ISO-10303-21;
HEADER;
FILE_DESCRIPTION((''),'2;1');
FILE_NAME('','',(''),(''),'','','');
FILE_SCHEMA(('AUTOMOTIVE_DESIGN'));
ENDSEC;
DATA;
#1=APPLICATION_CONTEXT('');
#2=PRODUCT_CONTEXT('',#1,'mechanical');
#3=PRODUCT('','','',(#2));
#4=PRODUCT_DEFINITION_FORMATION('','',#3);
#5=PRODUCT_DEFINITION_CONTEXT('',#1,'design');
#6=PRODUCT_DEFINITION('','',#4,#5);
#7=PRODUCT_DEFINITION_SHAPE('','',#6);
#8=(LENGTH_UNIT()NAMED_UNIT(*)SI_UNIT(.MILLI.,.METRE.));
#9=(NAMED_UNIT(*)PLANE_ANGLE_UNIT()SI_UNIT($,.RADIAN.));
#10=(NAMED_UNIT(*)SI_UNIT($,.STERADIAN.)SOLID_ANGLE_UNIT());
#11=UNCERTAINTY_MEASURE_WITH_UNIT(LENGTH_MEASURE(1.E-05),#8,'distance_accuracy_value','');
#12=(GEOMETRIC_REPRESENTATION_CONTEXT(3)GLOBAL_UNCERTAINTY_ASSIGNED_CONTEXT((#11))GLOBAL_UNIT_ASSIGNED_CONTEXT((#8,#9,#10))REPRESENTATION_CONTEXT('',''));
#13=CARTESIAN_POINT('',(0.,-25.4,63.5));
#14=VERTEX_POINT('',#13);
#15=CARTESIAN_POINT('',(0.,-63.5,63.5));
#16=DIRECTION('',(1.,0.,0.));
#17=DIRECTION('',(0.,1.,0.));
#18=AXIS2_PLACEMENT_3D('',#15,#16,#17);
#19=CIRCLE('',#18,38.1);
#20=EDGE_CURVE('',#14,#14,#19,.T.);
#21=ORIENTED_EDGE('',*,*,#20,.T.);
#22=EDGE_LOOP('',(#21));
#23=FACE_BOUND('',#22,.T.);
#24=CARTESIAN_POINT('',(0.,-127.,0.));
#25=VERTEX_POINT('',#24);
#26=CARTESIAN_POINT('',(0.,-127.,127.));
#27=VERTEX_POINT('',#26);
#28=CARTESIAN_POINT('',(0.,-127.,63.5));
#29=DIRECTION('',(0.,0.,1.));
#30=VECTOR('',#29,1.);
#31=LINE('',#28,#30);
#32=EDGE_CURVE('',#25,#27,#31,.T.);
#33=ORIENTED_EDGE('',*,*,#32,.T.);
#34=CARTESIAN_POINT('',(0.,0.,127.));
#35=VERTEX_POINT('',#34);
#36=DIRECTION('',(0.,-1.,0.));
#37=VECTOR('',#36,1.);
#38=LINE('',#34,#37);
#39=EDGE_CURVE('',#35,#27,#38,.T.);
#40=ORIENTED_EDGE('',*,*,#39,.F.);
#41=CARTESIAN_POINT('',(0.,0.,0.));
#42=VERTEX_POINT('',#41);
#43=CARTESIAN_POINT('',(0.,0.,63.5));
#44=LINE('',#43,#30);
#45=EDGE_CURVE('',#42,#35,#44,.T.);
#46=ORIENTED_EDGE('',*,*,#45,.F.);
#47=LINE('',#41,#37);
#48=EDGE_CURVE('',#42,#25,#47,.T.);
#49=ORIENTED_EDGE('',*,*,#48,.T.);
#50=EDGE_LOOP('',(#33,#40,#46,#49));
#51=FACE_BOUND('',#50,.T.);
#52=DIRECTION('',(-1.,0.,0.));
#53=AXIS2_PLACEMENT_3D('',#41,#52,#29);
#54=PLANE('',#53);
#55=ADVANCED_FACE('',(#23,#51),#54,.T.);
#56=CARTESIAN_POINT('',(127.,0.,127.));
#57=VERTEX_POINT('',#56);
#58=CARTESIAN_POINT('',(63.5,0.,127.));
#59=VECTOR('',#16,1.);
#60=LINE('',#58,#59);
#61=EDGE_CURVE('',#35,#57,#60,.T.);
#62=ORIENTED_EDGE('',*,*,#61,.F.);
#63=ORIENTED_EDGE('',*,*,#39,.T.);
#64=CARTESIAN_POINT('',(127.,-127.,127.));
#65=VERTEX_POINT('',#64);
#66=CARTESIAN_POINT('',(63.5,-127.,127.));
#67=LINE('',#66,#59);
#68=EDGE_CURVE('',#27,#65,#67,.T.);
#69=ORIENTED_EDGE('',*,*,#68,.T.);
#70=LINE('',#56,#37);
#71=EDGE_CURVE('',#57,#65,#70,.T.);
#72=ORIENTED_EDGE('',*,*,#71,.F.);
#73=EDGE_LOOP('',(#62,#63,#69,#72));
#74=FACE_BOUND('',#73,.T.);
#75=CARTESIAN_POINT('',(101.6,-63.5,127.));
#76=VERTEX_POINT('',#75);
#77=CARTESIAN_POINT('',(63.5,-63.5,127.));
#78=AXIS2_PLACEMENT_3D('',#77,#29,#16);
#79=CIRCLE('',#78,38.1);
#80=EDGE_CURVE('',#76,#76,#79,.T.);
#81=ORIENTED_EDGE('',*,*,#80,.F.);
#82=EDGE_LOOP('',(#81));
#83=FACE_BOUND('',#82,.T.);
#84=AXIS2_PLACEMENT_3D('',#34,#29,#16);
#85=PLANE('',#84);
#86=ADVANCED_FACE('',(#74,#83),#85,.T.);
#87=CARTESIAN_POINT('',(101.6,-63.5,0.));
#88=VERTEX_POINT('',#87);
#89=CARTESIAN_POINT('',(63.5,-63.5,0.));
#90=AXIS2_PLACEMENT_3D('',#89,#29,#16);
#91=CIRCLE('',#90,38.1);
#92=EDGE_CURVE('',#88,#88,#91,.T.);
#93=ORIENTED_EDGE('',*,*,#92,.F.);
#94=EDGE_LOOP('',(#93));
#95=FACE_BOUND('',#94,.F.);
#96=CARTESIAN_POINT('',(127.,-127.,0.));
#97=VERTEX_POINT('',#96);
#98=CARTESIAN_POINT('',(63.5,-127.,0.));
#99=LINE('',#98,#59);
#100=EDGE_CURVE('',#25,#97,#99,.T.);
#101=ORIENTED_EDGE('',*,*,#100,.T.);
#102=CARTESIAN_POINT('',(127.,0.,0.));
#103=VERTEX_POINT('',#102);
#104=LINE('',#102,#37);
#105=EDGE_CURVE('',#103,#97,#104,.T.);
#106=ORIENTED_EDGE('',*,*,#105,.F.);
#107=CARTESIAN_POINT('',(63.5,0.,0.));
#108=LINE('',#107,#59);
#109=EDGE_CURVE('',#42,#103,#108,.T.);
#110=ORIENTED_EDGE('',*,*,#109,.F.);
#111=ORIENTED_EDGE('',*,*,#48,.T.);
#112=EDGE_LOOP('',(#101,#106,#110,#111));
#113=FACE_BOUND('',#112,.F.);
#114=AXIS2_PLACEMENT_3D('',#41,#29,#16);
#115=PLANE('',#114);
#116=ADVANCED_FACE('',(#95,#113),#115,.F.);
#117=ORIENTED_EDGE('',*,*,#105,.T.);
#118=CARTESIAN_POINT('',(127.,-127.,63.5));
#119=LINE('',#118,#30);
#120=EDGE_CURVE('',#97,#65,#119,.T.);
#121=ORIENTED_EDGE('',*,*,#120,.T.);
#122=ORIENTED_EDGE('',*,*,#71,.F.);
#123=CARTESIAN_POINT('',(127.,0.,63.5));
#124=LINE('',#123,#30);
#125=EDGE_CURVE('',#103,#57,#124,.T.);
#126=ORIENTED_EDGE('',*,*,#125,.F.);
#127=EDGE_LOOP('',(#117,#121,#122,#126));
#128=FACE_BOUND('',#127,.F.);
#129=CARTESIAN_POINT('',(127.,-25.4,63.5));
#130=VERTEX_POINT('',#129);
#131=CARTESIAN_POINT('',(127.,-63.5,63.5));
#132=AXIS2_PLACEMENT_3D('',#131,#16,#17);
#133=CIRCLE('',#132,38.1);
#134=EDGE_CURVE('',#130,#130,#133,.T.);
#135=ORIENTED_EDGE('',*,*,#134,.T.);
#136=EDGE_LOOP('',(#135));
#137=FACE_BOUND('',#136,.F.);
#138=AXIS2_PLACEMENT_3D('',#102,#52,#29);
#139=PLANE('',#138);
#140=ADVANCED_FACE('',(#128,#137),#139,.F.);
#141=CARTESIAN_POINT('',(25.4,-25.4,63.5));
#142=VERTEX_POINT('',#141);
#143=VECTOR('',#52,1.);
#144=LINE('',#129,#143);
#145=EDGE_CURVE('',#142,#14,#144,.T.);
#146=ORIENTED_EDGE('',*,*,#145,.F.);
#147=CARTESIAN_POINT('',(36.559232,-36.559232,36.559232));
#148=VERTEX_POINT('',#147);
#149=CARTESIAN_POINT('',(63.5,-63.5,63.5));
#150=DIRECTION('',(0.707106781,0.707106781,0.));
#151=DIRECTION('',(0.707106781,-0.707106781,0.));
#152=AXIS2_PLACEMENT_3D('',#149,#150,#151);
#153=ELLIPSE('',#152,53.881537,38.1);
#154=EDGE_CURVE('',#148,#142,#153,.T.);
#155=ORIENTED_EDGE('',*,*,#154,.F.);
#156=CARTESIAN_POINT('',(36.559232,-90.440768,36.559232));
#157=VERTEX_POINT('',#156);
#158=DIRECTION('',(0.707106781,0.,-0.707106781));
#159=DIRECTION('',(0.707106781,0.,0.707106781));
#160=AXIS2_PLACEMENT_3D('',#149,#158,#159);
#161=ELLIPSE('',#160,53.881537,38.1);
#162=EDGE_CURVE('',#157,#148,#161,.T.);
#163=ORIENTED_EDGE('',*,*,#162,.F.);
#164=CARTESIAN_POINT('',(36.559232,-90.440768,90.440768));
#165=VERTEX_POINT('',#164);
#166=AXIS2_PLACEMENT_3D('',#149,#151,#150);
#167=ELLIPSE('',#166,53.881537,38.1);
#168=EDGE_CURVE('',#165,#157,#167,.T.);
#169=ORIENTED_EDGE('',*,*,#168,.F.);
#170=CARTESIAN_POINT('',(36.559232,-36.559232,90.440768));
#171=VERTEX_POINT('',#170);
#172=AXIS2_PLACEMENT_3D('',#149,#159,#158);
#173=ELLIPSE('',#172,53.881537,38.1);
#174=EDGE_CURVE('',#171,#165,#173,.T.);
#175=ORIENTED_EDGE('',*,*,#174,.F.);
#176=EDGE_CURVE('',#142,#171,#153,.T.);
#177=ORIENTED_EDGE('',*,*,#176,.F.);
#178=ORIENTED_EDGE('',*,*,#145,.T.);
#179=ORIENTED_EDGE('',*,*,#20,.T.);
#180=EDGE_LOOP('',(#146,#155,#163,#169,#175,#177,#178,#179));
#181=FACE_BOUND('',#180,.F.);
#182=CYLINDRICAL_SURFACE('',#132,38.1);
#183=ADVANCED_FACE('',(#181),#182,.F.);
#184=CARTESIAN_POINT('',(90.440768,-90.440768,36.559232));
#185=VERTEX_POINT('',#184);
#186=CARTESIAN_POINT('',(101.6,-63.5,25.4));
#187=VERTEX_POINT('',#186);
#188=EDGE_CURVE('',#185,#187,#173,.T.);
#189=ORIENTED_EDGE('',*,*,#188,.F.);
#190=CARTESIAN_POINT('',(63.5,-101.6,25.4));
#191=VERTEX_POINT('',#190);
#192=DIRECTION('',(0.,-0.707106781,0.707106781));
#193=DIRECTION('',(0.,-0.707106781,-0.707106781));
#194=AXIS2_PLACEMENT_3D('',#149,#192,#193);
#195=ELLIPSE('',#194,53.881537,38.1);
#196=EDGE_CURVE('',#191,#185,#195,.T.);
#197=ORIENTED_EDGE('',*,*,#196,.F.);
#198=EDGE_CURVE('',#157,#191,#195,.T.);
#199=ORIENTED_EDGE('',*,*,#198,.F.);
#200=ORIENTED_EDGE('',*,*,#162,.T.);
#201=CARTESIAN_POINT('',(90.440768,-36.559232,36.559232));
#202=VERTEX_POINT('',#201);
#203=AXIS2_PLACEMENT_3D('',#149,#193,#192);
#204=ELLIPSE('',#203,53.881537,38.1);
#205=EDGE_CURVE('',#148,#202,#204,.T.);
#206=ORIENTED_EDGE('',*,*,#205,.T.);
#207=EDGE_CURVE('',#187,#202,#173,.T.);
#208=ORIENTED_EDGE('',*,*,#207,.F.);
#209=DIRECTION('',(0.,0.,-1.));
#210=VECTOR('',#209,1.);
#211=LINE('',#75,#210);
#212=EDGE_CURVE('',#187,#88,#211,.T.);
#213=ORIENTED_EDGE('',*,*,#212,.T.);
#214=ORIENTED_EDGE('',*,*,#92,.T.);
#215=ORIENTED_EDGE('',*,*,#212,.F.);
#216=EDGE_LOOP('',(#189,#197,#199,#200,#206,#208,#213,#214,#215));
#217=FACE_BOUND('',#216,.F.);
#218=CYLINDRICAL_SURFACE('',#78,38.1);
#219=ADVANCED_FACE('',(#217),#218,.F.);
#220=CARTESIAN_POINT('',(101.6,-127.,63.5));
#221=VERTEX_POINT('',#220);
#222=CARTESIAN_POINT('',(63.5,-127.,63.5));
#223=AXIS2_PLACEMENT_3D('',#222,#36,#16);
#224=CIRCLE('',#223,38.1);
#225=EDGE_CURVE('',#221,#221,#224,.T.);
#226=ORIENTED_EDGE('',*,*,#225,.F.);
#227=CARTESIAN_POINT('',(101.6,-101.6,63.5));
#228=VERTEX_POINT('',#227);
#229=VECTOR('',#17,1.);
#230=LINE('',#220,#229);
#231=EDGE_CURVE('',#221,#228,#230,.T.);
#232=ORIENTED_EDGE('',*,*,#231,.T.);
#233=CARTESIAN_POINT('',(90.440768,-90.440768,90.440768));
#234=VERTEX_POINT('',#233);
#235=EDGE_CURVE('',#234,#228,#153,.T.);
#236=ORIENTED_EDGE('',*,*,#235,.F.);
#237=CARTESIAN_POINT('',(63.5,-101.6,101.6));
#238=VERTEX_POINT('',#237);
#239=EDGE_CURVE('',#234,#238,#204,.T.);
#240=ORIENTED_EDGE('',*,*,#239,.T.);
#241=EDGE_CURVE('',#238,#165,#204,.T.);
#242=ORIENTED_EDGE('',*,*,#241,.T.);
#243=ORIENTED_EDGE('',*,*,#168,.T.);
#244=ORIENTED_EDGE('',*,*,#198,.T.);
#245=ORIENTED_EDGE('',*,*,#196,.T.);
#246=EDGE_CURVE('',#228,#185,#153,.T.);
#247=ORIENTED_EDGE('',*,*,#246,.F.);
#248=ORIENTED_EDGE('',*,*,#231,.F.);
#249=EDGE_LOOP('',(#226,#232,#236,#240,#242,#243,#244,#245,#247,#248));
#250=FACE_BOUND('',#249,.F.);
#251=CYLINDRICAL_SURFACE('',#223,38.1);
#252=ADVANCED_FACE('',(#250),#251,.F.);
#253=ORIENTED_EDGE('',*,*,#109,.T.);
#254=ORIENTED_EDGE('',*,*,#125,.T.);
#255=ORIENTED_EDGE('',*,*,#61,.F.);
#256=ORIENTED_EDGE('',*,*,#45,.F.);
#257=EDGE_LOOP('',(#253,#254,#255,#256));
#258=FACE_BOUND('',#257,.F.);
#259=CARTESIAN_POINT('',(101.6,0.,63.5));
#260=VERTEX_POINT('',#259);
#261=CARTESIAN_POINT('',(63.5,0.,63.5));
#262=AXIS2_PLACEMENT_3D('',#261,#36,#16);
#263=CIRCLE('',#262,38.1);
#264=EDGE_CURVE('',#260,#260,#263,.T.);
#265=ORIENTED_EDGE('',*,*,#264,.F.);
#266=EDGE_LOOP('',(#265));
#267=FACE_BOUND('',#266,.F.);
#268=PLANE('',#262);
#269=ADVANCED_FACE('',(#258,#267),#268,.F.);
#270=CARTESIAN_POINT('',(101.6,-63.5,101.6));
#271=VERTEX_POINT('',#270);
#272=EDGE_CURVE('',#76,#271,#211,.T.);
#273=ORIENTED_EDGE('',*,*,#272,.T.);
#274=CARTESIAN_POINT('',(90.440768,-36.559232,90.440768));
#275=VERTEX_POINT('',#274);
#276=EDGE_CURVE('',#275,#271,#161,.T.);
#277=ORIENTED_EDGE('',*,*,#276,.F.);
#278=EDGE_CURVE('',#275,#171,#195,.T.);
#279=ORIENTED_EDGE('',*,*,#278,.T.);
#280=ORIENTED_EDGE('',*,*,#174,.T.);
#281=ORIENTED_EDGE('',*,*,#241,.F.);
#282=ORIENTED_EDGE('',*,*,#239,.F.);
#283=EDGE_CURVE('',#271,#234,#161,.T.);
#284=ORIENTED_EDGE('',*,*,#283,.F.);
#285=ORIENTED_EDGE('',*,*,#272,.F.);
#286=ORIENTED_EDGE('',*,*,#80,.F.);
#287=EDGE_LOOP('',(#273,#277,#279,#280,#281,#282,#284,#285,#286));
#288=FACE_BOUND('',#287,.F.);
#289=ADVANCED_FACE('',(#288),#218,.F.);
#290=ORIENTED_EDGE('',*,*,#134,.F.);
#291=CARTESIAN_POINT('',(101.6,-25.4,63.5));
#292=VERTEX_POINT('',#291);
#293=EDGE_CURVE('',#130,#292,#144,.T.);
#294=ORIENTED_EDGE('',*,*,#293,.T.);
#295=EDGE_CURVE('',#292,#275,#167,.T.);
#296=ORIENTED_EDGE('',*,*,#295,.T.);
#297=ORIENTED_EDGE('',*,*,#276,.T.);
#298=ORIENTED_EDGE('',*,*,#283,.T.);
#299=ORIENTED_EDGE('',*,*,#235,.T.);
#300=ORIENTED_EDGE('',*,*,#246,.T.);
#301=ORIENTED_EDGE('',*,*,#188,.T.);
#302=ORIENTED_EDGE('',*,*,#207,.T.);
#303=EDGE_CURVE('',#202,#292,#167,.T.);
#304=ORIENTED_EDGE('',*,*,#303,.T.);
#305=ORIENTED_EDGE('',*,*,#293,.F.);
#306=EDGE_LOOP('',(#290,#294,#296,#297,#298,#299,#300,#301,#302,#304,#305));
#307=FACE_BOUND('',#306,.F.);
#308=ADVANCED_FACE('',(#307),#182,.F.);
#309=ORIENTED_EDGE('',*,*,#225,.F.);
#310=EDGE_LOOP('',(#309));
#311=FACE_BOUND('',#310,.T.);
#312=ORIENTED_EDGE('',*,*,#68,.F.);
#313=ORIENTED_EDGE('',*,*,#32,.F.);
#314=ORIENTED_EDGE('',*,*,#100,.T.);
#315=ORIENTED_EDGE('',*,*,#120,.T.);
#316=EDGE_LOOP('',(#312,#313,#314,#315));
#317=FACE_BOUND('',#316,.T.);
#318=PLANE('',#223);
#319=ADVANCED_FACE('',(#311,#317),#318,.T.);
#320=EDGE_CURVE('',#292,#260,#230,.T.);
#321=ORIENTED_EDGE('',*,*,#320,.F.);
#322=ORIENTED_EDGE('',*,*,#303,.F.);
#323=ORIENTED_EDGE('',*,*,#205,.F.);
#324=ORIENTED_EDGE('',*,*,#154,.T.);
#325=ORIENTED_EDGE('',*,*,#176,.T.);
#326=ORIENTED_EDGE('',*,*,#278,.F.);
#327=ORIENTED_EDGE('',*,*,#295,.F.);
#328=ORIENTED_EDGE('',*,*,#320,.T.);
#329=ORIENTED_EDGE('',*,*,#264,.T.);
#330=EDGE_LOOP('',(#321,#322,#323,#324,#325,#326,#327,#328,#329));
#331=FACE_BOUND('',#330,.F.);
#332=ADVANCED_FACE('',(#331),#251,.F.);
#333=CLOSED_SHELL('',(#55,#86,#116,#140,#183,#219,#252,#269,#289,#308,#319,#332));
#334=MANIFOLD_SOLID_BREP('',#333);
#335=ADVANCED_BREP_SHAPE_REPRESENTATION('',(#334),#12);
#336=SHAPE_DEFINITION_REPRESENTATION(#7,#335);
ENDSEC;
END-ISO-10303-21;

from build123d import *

# Parameters (mm, degrees)
F0_W     = 127
F0_H     = 127
F1_DEPTH = 127
F2_R     = 38.1
F3_DEPTH = 127
F4_R     = 38.1
F5_DEPTH = 127
F6_R     = 38.1
F7_DEPTH = 127


with BuildPart() as f1:
    # F0 (on Front) → F1 (new body)
    with BuildSketch(Plane.XZ):
        with Locations((63.5, 63.5)):
            Rectangle(F0_W, F0_H)
    extrude(amount=F1_DEPTH)

    # F2 (on face) → F3 (cut)
    with BuildSketch(Plane.YZ.offset(127)):
        with Locations((-63.5, 63.5)):
            Circle(F2_R)
    extrude(amount=-F3_DEPTH, mode=Mode.SUBTRACT)

    # F4 (on face) → F5 (cut)
    with BuildSketch(Plane.XZ.offset(127)):
        with Locations((63.5, 63.5)):
            Circle(F4_R)
    extrude(amount=-F5_DEPTH, mode=Mode.SUBTRACT)

    # F6 (on face) → F7 (cut)
    with BuildSketch(Plane.XY.offset(127)):
        with Locations((63.5, -63.5)):
            Circle(F6_R)
    extrude(amount=-F7_DEPTH, mode=Mode.SUBTRACT)


solid = f1.part
